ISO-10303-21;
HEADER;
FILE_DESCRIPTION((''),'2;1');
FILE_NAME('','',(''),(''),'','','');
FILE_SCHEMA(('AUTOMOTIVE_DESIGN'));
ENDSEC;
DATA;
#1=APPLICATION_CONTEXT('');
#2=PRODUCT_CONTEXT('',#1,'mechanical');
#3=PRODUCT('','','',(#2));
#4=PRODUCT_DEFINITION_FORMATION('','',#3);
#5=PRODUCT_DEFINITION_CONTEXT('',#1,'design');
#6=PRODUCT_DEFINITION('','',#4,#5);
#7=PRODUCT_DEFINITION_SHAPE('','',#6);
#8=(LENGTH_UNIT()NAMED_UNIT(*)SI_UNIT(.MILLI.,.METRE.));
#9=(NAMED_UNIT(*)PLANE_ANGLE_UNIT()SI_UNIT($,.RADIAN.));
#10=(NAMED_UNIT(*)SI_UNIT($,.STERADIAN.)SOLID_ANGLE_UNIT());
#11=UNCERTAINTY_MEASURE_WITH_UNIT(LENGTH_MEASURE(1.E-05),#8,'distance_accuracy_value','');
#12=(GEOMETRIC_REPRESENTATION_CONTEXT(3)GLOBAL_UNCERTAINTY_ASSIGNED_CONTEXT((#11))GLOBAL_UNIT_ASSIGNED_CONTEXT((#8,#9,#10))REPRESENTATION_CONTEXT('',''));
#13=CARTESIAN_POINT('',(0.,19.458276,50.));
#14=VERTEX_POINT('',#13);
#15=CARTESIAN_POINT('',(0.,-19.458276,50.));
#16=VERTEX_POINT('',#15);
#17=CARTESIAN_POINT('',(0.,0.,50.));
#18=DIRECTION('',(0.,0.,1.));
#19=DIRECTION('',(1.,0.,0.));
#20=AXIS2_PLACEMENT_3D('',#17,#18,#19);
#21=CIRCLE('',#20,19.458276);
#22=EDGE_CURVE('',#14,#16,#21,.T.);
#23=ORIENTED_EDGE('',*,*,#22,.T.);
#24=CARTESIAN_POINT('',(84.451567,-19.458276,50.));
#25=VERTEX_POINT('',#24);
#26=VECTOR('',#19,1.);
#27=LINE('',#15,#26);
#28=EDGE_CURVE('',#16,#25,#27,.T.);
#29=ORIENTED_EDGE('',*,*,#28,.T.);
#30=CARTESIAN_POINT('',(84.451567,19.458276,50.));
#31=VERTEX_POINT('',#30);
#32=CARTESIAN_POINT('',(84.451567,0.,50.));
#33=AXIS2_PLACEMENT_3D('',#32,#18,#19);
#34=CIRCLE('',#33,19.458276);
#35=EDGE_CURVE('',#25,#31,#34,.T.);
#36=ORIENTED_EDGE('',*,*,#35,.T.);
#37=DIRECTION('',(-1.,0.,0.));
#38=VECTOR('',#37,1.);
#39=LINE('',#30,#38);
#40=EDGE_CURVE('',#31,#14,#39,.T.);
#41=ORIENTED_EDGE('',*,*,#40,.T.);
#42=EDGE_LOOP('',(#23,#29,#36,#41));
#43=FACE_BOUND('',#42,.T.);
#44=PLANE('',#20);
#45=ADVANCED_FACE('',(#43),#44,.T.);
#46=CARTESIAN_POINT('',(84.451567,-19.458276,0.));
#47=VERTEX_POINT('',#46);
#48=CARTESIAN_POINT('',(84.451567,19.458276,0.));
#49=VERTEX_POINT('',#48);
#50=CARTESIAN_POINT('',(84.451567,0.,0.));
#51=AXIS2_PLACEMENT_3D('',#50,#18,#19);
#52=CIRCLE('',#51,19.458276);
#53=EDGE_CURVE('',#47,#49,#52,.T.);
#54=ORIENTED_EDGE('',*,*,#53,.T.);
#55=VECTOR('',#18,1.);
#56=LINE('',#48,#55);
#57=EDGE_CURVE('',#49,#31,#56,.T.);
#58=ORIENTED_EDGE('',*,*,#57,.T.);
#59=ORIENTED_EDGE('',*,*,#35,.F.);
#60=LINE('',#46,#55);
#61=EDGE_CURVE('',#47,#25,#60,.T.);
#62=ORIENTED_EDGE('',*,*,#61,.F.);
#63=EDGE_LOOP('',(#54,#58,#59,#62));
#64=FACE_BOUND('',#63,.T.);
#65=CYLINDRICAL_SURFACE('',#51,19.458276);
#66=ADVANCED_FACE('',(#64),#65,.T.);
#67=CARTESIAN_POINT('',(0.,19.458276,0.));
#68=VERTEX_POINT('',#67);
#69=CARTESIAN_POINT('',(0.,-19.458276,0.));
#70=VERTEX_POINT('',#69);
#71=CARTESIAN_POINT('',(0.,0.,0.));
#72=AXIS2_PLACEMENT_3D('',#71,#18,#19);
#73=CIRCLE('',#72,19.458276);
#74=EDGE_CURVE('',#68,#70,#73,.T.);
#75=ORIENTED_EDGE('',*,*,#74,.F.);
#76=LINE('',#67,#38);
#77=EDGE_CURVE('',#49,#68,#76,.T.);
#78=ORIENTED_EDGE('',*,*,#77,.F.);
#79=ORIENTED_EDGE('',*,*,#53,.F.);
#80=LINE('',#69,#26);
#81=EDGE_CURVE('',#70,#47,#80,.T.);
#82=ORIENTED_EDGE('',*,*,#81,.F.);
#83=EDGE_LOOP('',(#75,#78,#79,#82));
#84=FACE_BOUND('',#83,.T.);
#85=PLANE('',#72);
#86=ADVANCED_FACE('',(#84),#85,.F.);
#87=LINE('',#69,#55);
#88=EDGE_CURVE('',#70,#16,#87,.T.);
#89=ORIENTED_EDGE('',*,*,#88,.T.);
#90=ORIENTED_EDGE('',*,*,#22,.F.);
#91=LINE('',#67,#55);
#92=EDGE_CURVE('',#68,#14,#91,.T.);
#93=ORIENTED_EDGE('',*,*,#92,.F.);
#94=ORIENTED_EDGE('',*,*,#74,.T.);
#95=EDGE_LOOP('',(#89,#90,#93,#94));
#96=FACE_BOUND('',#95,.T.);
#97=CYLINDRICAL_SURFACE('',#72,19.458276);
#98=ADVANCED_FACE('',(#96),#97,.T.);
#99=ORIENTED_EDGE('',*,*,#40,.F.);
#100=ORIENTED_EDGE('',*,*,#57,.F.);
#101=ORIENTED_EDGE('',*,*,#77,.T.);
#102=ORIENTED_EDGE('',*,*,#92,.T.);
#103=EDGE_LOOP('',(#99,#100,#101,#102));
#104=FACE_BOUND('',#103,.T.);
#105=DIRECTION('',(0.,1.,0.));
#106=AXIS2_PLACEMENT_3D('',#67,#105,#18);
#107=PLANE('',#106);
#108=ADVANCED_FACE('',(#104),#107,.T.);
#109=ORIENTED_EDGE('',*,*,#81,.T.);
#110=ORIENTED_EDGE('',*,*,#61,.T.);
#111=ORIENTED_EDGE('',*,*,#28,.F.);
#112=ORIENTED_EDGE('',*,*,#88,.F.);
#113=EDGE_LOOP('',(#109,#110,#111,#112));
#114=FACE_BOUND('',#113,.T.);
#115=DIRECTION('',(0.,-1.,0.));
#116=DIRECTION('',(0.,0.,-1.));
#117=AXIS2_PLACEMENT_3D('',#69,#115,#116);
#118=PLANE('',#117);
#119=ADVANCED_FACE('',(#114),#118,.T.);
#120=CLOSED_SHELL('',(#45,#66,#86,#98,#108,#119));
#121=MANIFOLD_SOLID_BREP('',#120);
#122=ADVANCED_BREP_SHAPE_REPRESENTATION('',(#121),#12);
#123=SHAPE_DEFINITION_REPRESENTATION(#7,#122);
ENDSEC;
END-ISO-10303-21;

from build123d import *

# Parameters (mm, degrees)
BOSS_EXTRUDE1_START = 20
BOSS_EXTRUDE1_DEPTH = 20
BOSS_EXTRUDE2_DEPTH = 30


with BuildPart() as part:
    # Sketch1 → Boss-Extrude1 (new body)
    with BuildSketch(Plane.XY.offset(BOSS_EXTRUDE1_START)):
        with BuildLine():
            Line((0, 19.458276334), (84.451566673, 19.458276334))
            ThreePointArc((84.451566673, 19.458276334), (103.909843007, 0), (84.451566673, -19.458276334))
            Line((84.451566673, -19.458276334), (0, -19.458276334))
            ThreePointArc((0, -19.458276334), (-19.458276334, 0), (0, 19.458276334))
        make_face()
    extrude(amount=-BOSS_EXTRUDE1_DEPTH)

    # Sketch2 → Boss-Extrude2 (add)
    with BuildSketch(Plane.XY.offset(20)):
        with BuildLine():
            Line((0, -19.458276334), (84.451566673, -19.458276334))
            ThreePointArc((84.451566673, -19.458276334), (103.909843007, 0), (84.451566673, 19.458276334))
            Line((84.451566673, 19.458276334), (0, 19.458276334))
            ThreePointArc((0, 19.458276334), (-19.458276334, 0), (0, -19.458276334))
        make_face()
    extrude(amount=BOSS_EXTRUDE2_DEPTH)


solid = part.part
